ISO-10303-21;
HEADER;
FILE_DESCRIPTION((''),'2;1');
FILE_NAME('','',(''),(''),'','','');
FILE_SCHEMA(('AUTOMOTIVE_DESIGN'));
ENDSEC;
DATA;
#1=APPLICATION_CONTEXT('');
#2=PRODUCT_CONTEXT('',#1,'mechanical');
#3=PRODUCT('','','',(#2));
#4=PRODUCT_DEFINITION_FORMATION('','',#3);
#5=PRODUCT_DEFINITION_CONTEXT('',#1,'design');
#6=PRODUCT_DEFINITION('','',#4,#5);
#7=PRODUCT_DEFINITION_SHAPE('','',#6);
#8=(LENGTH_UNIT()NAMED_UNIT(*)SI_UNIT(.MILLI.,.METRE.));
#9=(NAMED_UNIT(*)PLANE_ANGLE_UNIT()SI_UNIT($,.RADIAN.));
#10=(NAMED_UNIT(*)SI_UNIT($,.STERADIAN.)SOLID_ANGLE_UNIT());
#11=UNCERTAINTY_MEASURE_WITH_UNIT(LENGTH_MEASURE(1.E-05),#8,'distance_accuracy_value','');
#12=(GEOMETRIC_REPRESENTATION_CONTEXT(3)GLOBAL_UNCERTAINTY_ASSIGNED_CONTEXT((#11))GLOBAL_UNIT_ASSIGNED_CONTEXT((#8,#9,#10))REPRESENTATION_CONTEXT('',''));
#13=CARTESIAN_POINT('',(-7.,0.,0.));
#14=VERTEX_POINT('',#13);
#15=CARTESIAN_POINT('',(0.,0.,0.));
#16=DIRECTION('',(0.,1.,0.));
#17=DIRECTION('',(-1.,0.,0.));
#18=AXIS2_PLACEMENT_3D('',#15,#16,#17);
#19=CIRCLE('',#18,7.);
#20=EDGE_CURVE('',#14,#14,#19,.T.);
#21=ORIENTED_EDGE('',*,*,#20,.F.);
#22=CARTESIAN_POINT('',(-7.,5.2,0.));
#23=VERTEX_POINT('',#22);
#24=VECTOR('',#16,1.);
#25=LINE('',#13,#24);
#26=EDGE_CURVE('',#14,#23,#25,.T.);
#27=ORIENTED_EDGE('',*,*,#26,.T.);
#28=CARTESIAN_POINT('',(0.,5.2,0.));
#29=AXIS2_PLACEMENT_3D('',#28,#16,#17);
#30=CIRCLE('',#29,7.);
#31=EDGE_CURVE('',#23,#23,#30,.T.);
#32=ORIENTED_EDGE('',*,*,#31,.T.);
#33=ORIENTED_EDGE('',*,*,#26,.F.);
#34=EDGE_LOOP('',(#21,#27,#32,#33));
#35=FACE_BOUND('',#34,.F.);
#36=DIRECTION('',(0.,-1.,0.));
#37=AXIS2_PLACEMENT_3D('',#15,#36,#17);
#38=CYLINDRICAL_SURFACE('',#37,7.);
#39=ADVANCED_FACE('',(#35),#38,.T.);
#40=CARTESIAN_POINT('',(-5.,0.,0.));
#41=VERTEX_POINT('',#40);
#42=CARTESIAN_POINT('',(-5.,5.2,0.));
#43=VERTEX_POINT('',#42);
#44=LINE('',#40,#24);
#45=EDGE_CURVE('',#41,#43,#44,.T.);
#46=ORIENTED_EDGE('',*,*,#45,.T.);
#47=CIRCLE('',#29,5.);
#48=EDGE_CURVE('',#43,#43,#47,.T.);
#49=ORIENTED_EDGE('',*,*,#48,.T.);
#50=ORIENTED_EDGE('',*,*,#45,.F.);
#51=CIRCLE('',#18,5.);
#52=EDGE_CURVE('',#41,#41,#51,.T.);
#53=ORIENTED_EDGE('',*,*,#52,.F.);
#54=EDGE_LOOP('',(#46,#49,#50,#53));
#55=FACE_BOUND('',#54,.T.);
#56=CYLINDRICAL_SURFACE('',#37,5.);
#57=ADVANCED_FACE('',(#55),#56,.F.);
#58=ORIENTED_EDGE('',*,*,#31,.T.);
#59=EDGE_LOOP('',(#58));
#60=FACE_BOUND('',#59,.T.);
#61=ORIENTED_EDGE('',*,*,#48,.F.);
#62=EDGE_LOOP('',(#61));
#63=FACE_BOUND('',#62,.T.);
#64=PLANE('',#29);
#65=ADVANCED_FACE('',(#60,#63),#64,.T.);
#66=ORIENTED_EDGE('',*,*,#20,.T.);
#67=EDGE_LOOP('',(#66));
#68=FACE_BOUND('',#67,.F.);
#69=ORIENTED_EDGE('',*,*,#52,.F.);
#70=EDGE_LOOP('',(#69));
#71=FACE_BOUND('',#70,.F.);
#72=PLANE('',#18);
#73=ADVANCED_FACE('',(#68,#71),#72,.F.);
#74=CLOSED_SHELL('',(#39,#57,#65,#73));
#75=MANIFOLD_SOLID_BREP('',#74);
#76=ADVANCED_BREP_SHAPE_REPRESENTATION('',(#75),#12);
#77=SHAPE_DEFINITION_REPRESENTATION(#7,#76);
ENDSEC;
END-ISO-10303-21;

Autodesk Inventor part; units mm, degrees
ref_plane "YZ Plane" through (0, 0, 0) normal (1, 0, 0) x (0, 1, 0)
ref_plane "XZ Plane" through (0, 0, 0) normal (0, 1, 0) x (-1, 0, 0)
ref_plane "XY Plane" through (0, 0, 0) normal (0, 0, 1) x (1, 0, 0)
sketch "Sketch1" plane through (0, 0, 0) normal (0, 1, 0) x (-1, 0, 0)
  circle A0 centre (0, 0) radius 5
  circle A1 centre (0, 0) radius 7
  dimension "d2" = 10
  dimension "d3" = 14
extrude "Extrusion1" add sketch "Sketch1" along normal blind 5.2
properties part number "ShaftBushing" material "ABS Plastic"
